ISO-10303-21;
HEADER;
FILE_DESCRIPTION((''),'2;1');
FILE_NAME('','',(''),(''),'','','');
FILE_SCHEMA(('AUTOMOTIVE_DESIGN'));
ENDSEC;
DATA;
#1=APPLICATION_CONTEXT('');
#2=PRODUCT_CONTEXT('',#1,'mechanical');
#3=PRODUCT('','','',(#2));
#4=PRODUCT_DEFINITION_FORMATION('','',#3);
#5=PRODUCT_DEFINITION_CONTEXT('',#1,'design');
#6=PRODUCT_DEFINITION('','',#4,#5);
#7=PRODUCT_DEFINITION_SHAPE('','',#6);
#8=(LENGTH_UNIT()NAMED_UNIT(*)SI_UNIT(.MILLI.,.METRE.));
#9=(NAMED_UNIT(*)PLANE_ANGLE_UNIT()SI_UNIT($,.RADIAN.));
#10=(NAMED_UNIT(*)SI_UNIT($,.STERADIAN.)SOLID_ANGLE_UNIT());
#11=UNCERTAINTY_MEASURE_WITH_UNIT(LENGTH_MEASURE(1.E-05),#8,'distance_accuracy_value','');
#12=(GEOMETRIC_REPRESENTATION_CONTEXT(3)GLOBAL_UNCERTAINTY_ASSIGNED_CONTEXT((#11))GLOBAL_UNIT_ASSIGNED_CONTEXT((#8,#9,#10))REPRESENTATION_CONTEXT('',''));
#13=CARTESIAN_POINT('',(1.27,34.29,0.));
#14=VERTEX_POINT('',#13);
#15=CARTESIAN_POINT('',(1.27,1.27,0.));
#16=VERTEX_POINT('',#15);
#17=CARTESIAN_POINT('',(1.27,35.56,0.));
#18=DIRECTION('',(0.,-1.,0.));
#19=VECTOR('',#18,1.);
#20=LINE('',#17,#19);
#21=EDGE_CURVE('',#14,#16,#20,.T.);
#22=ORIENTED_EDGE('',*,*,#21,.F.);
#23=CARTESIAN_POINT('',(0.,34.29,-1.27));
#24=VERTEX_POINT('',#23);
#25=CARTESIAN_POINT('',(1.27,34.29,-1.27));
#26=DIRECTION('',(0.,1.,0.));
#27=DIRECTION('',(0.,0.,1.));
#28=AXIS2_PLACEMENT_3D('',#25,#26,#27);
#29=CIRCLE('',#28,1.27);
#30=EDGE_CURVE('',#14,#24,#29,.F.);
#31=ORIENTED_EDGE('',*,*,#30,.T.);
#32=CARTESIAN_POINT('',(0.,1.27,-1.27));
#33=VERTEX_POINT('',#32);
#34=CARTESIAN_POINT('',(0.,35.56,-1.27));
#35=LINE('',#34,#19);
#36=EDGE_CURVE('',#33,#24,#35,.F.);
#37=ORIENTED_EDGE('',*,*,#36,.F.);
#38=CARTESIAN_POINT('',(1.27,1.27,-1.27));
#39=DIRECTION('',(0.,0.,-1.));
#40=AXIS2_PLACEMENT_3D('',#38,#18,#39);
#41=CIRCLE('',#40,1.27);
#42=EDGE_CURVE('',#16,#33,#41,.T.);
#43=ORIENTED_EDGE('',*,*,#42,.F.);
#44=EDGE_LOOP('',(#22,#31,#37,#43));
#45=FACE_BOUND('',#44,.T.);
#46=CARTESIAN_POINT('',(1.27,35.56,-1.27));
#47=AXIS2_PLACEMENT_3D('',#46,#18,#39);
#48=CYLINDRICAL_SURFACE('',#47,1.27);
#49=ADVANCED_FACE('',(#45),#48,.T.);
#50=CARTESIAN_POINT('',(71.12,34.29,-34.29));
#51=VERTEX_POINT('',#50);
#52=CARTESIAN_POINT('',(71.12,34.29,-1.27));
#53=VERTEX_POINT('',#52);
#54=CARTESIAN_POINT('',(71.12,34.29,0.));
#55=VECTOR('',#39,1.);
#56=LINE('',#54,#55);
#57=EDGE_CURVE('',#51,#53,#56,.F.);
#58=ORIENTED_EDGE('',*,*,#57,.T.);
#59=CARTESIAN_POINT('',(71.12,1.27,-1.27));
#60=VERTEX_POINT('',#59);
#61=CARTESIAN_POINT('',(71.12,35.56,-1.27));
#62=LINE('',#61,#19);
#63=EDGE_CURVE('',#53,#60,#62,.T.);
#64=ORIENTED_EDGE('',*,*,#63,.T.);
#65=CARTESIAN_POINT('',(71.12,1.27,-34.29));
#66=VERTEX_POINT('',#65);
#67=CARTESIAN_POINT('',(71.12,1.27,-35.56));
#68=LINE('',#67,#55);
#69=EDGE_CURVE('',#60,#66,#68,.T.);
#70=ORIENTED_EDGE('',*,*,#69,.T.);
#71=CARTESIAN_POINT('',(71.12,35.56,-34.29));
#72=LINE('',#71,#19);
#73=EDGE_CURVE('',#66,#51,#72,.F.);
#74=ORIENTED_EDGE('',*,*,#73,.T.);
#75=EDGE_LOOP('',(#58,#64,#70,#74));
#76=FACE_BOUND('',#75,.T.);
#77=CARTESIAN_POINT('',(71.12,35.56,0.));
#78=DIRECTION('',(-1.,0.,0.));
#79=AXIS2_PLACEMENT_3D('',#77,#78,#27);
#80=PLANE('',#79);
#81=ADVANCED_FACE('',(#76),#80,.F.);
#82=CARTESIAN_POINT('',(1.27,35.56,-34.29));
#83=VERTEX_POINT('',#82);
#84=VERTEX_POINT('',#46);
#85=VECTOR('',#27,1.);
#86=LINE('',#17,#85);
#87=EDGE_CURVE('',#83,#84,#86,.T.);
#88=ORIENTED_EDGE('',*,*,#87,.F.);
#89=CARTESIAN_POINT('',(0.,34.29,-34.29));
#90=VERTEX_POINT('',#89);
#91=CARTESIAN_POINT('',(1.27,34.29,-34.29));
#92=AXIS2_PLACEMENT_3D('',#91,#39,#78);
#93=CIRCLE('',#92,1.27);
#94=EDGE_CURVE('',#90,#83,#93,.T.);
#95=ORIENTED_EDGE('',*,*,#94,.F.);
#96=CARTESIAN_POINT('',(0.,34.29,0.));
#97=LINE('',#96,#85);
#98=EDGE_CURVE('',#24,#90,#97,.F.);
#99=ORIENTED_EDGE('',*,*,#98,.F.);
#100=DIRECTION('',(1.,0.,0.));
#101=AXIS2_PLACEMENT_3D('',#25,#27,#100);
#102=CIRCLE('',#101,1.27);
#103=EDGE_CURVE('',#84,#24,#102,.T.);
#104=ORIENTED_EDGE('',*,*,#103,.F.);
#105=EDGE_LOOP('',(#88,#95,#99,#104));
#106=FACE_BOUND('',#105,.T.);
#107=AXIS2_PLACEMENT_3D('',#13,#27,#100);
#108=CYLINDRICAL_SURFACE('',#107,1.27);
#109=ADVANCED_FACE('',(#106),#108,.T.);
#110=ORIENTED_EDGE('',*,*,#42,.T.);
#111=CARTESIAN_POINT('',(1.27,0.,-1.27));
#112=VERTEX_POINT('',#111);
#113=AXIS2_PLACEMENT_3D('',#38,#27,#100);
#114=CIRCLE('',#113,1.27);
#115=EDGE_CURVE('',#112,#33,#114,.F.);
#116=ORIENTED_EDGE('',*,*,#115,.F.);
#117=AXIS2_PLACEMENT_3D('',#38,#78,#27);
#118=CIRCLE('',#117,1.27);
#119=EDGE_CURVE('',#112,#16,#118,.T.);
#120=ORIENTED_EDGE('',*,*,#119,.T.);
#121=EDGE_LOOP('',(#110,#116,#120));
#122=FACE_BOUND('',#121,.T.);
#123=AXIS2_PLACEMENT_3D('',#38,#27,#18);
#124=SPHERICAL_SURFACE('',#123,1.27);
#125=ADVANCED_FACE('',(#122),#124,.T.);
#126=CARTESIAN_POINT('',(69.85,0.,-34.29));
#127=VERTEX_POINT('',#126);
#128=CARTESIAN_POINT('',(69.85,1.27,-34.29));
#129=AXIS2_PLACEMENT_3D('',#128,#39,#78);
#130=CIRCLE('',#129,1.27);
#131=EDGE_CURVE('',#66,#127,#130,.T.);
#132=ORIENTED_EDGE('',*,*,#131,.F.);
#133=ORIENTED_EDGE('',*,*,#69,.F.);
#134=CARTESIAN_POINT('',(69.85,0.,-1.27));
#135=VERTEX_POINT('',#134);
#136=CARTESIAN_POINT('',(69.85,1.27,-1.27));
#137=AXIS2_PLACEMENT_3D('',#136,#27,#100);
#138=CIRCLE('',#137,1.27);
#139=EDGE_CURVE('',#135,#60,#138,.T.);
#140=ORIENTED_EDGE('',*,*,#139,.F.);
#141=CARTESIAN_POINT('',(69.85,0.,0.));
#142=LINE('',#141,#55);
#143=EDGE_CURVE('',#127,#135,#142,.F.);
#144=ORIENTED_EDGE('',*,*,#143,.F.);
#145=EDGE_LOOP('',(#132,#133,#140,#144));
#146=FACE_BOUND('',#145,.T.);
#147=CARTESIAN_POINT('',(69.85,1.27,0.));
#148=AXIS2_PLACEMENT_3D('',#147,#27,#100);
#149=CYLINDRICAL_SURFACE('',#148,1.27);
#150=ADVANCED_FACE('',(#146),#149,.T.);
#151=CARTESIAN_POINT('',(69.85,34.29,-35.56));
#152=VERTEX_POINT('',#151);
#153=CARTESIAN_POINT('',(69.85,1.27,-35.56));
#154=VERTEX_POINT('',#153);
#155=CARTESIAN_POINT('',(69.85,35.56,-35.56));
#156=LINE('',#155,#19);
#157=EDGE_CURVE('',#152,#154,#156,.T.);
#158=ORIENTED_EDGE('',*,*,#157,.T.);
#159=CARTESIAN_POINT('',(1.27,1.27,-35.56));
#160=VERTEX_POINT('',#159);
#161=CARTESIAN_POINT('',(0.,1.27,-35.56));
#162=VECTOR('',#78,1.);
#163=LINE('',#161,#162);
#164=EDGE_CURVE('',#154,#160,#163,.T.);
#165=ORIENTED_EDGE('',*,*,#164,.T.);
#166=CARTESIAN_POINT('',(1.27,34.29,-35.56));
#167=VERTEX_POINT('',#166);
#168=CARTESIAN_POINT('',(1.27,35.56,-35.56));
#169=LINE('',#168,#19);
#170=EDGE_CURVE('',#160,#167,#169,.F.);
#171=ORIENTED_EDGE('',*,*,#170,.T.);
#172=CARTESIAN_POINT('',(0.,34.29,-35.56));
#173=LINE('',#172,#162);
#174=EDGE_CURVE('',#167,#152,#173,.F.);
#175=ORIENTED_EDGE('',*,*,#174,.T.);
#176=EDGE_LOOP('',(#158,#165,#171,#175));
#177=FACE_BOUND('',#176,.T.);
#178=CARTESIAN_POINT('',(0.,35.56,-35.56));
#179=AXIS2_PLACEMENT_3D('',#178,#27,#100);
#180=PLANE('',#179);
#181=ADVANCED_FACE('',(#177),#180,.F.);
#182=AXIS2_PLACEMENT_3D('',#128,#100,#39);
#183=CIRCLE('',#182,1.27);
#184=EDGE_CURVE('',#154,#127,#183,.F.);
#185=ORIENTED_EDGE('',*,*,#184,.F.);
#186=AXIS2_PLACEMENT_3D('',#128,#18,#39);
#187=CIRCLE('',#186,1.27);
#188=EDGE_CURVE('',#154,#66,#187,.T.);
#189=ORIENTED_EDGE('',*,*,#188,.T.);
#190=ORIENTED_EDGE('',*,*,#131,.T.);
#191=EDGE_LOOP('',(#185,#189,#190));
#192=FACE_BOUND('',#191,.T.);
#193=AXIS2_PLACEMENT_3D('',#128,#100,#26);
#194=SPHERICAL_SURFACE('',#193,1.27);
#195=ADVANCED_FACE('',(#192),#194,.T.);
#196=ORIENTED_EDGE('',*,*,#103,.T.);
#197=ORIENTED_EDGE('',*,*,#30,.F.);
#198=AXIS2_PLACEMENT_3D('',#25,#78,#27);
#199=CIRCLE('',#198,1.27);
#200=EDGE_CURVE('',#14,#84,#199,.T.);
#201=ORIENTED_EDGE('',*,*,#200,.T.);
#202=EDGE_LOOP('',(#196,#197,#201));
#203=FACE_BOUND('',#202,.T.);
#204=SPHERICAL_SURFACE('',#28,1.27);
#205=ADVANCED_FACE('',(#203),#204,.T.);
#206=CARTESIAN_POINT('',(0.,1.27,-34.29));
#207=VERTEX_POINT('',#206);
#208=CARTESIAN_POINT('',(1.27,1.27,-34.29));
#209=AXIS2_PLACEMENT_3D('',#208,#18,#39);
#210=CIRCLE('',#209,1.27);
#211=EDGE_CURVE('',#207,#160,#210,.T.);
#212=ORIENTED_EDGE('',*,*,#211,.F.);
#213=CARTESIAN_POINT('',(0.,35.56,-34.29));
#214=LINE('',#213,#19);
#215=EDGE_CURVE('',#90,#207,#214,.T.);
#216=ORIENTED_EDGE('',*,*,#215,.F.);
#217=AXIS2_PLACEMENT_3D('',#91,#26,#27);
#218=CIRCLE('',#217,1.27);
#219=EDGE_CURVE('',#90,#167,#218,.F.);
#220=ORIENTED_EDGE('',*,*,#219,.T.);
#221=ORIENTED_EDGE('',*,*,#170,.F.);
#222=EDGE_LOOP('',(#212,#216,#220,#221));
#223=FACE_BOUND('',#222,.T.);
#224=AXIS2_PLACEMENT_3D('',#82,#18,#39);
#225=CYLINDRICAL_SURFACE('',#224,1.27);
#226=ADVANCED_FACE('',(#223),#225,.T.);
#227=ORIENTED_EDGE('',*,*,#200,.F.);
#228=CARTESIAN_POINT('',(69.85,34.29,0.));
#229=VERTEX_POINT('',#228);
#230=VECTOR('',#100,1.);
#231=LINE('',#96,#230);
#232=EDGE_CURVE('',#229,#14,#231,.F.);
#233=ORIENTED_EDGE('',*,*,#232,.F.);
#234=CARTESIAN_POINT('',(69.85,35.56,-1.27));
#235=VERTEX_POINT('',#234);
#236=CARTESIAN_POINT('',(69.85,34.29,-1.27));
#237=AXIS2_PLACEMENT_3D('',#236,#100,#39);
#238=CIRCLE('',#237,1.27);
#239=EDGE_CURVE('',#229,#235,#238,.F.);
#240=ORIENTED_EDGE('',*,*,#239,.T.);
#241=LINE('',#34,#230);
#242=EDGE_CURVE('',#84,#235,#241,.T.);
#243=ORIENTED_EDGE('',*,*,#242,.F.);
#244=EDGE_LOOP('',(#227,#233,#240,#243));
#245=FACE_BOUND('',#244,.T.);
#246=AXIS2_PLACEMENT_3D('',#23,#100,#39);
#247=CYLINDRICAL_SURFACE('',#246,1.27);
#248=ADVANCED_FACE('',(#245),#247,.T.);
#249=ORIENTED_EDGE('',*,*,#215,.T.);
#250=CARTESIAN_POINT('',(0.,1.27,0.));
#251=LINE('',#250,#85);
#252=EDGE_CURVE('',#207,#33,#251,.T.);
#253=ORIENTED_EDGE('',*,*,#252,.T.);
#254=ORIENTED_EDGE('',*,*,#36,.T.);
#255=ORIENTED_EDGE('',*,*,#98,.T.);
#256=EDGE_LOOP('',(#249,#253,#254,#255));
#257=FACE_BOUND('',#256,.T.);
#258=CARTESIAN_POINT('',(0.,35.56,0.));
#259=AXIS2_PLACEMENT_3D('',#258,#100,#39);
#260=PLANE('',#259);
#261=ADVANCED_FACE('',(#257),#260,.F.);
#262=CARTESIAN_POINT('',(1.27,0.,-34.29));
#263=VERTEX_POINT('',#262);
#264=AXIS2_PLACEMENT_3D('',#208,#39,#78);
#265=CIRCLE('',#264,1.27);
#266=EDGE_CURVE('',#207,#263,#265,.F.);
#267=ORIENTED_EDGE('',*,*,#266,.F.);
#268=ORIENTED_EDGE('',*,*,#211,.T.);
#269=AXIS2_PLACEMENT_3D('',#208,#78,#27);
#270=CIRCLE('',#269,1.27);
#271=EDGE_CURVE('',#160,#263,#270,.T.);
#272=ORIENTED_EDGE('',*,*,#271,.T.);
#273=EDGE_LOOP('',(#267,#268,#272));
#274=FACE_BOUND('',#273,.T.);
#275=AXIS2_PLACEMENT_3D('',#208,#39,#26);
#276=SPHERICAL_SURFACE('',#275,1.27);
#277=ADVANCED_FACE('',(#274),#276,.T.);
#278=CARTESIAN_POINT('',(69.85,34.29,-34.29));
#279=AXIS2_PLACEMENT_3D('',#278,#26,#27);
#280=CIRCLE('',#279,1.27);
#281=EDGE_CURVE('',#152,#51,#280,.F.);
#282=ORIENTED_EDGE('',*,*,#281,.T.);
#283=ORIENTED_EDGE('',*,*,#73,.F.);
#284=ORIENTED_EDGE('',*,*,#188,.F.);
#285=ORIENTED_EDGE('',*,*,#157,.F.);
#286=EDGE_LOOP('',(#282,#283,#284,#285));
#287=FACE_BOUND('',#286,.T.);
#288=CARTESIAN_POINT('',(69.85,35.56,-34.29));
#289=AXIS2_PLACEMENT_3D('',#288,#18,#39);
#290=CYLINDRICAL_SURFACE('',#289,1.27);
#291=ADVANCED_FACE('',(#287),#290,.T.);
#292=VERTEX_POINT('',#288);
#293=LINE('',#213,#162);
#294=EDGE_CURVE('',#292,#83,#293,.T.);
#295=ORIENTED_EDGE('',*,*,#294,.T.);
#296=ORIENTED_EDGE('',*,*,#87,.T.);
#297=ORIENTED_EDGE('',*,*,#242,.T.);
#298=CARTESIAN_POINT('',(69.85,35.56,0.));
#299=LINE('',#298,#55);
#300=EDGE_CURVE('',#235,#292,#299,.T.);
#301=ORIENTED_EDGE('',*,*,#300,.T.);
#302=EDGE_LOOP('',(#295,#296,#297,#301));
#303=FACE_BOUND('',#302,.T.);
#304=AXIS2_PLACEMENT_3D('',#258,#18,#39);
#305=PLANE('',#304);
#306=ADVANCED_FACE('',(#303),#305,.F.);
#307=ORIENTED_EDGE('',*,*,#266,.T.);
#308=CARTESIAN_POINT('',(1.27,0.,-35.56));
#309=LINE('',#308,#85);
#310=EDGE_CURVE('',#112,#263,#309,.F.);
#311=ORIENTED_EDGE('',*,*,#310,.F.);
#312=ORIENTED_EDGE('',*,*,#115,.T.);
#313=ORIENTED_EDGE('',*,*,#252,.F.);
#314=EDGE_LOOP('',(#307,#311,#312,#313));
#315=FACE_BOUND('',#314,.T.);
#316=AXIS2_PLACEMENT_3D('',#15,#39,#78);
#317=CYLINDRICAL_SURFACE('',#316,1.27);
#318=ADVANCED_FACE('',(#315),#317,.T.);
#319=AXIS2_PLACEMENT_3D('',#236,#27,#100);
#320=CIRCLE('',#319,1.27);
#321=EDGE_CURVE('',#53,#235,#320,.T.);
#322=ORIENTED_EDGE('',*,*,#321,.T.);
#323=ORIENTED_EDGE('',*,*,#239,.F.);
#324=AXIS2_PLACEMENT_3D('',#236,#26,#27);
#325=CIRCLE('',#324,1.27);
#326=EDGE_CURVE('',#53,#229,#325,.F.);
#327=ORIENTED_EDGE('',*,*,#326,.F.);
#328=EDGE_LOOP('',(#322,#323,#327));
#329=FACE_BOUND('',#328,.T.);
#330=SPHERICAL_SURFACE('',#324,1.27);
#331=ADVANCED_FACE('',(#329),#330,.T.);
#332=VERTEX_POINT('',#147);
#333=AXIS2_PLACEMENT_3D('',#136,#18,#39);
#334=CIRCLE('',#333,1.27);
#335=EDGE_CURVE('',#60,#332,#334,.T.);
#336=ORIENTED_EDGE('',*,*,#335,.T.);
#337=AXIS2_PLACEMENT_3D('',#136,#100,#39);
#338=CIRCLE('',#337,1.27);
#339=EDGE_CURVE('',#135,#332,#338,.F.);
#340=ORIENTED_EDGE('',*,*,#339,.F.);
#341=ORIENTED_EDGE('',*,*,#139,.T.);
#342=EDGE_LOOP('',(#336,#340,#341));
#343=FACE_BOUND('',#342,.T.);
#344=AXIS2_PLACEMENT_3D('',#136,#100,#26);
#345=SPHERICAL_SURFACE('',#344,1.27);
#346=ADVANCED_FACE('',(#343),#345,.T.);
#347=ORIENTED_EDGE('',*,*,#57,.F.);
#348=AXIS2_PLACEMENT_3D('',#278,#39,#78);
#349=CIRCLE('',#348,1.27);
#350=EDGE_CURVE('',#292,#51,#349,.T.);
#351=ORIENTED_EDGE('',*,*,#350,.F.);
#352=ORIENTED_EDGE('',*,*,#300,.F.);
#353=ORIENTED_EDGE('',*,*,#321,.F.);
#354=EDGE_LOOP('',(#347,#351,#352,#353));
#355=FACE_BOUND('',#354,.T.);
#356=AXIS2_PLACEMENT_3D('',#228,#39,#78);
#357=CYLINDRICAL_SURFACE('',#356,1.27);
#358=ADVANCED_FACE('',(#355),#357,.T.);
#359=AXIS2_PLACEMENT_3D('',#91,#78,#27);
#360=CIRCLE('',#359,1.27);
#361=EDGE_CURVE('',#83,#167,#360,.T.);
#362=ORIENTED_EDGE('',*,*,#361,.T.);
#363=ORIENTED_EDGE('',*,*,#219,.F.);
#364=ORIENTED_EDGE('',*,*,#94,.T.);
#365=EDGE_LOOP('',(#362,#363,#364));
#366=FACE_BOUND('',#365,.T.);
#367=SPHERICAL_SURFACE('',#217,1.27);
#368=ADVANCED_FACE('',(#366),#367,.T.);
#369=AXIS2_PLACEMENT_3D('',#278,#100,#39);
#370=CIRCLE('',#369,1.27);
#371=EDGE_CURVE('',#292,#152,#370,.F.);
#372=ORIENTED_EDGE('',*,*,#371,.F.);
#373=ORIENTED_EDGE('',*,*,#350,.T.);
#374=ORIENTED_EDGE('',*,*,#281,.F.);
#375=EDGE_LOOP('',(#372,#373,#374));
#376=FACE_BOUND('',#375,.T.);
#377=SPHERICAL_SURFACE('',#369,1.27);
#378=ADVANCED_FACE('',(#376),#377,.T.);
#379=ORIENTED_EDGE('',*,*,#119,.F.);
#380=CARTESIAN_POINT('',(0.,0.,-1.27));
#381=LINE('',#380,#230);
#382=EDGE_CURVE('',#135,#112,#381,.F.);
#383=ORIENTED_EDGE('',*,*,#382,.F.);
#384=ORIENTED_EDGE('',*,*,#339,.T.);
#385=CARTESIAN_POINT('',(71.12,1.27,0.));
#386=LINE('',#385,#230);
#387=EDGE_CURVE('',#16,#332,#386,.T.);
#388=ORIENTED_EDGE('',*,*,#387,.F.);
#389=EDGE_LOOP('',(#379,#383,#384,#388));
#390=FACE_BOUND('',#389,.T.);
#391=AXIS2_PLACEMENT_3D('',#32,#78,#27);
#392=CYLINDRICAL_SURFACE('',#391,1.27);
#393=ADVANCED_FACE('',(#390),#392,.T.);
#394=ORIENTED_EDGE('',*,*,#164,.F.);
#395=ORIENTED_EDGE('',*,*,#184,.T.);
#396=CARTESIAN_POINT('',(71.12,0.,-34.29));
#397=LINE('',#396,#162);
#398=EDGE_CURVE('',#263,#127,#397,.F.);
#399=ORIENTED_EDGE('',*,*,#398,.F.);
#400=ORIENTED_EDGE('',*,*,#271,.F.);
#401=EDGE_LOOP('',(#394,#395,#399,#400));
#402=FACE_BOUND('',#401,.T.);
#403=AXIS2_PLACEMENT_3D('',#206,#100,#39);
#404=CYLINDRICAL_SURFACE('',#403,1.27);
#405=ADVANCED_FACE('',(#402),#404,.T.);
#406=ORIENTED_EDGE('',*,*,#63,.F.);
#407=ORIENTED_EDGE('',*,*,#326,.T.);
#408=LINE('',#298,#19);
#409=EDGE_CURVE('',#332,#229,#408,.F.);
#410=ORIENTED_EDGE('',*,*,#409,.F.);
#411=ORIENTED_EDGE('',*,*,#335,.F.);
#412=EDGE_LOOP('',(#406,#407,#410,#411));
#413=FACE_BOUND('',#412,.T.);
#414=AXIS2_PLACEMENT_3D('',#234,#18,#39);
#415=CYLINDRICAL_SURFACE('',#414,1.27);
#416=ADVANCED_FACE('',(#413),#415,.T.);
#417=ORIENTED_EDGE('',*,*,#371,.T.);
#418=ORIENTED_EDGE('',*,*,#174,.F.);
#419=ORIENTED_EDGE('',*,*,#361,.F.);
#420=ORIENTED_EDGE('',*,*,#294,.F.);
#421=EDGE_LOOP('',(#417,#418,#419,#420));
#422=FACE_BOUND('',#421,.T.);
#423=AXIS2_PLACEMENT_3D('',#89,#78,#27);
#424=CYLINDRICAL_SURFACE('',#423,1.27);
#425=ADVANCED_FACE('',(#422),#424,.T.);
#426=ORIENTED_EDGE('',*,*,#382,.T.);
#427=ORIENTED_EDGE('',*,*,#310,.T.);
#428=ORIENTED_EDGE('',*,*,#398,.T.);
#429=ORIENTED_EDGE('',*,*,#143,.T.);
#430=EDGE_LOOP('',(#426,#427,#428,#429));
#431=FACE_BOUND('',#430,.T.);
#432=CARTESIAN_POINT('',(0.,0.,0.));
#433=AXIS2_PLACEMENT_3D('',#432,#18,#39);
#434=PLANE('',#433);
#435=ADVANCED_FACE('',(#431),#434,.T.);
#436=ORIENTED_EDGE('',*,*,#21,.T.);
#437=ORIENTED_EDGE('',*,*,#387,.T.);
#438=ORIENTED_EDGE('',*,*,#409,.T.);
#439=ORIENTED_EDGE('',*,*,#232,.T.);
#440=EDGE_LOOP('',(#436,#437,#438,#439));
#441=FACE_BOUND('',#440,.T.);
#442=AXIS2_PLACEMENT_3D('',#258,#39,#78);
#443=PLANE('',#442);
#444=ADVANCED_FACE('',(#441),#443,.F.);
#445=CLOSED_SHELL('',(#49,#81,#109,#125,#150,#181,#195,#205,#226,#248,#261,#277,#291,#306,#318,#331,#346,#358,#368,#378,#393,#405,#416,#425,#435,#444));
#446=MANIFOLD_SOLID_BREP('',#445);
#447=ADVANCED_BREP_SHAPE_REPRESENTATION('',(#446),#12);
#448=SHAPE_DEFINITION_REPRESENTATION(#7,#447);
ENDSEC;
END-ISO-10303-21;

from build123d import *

# Parameters (mm, degrees)
SKETCH1_W           = 71.12
SKETCH1_H           = 35.56
BOSS_EXTRUDE1_DEPTH = 35.56
FILLET1_R           = 1.27


with BuildPart() as part:
    # Sketch1 → Boss-Extrude1 (new body)
    with BuildSketch(Plane(origin=(0, 0, 0), x_dir=(1, 0, 0), z_dir=(0, 1, 0))):
        with Locations((35.56, 17.78)):
            Rectangle(SKETCH1_W, SKETCH1_H)
    extrude(amount=BOSS_EXTRUDE1_DEPTH)

    # Fillet1
    fillet1_edges = [part.edges().sort_by_distance(p)[0] for p in [
        (71.12, 35.56, -17.78),
        (35.56, 35.56, -35.56),
        (0, 35.56, -17.78),
        (35.56, 0, -35.56),
        (71.12, 0, -17.78),
        (35.56, 0, 0),
        (0, 0, -17.78),
        (0, 17.78, -35.56),
        (71.12, 17.78, -35.56),
        (71.12, 17.78, 0),
        (0, 17.78, 0),
        (35.56, 35.56, 0),
    ]]
    fillet(fillet1_edges, radius=FILLET1_R)


solid = part.part
